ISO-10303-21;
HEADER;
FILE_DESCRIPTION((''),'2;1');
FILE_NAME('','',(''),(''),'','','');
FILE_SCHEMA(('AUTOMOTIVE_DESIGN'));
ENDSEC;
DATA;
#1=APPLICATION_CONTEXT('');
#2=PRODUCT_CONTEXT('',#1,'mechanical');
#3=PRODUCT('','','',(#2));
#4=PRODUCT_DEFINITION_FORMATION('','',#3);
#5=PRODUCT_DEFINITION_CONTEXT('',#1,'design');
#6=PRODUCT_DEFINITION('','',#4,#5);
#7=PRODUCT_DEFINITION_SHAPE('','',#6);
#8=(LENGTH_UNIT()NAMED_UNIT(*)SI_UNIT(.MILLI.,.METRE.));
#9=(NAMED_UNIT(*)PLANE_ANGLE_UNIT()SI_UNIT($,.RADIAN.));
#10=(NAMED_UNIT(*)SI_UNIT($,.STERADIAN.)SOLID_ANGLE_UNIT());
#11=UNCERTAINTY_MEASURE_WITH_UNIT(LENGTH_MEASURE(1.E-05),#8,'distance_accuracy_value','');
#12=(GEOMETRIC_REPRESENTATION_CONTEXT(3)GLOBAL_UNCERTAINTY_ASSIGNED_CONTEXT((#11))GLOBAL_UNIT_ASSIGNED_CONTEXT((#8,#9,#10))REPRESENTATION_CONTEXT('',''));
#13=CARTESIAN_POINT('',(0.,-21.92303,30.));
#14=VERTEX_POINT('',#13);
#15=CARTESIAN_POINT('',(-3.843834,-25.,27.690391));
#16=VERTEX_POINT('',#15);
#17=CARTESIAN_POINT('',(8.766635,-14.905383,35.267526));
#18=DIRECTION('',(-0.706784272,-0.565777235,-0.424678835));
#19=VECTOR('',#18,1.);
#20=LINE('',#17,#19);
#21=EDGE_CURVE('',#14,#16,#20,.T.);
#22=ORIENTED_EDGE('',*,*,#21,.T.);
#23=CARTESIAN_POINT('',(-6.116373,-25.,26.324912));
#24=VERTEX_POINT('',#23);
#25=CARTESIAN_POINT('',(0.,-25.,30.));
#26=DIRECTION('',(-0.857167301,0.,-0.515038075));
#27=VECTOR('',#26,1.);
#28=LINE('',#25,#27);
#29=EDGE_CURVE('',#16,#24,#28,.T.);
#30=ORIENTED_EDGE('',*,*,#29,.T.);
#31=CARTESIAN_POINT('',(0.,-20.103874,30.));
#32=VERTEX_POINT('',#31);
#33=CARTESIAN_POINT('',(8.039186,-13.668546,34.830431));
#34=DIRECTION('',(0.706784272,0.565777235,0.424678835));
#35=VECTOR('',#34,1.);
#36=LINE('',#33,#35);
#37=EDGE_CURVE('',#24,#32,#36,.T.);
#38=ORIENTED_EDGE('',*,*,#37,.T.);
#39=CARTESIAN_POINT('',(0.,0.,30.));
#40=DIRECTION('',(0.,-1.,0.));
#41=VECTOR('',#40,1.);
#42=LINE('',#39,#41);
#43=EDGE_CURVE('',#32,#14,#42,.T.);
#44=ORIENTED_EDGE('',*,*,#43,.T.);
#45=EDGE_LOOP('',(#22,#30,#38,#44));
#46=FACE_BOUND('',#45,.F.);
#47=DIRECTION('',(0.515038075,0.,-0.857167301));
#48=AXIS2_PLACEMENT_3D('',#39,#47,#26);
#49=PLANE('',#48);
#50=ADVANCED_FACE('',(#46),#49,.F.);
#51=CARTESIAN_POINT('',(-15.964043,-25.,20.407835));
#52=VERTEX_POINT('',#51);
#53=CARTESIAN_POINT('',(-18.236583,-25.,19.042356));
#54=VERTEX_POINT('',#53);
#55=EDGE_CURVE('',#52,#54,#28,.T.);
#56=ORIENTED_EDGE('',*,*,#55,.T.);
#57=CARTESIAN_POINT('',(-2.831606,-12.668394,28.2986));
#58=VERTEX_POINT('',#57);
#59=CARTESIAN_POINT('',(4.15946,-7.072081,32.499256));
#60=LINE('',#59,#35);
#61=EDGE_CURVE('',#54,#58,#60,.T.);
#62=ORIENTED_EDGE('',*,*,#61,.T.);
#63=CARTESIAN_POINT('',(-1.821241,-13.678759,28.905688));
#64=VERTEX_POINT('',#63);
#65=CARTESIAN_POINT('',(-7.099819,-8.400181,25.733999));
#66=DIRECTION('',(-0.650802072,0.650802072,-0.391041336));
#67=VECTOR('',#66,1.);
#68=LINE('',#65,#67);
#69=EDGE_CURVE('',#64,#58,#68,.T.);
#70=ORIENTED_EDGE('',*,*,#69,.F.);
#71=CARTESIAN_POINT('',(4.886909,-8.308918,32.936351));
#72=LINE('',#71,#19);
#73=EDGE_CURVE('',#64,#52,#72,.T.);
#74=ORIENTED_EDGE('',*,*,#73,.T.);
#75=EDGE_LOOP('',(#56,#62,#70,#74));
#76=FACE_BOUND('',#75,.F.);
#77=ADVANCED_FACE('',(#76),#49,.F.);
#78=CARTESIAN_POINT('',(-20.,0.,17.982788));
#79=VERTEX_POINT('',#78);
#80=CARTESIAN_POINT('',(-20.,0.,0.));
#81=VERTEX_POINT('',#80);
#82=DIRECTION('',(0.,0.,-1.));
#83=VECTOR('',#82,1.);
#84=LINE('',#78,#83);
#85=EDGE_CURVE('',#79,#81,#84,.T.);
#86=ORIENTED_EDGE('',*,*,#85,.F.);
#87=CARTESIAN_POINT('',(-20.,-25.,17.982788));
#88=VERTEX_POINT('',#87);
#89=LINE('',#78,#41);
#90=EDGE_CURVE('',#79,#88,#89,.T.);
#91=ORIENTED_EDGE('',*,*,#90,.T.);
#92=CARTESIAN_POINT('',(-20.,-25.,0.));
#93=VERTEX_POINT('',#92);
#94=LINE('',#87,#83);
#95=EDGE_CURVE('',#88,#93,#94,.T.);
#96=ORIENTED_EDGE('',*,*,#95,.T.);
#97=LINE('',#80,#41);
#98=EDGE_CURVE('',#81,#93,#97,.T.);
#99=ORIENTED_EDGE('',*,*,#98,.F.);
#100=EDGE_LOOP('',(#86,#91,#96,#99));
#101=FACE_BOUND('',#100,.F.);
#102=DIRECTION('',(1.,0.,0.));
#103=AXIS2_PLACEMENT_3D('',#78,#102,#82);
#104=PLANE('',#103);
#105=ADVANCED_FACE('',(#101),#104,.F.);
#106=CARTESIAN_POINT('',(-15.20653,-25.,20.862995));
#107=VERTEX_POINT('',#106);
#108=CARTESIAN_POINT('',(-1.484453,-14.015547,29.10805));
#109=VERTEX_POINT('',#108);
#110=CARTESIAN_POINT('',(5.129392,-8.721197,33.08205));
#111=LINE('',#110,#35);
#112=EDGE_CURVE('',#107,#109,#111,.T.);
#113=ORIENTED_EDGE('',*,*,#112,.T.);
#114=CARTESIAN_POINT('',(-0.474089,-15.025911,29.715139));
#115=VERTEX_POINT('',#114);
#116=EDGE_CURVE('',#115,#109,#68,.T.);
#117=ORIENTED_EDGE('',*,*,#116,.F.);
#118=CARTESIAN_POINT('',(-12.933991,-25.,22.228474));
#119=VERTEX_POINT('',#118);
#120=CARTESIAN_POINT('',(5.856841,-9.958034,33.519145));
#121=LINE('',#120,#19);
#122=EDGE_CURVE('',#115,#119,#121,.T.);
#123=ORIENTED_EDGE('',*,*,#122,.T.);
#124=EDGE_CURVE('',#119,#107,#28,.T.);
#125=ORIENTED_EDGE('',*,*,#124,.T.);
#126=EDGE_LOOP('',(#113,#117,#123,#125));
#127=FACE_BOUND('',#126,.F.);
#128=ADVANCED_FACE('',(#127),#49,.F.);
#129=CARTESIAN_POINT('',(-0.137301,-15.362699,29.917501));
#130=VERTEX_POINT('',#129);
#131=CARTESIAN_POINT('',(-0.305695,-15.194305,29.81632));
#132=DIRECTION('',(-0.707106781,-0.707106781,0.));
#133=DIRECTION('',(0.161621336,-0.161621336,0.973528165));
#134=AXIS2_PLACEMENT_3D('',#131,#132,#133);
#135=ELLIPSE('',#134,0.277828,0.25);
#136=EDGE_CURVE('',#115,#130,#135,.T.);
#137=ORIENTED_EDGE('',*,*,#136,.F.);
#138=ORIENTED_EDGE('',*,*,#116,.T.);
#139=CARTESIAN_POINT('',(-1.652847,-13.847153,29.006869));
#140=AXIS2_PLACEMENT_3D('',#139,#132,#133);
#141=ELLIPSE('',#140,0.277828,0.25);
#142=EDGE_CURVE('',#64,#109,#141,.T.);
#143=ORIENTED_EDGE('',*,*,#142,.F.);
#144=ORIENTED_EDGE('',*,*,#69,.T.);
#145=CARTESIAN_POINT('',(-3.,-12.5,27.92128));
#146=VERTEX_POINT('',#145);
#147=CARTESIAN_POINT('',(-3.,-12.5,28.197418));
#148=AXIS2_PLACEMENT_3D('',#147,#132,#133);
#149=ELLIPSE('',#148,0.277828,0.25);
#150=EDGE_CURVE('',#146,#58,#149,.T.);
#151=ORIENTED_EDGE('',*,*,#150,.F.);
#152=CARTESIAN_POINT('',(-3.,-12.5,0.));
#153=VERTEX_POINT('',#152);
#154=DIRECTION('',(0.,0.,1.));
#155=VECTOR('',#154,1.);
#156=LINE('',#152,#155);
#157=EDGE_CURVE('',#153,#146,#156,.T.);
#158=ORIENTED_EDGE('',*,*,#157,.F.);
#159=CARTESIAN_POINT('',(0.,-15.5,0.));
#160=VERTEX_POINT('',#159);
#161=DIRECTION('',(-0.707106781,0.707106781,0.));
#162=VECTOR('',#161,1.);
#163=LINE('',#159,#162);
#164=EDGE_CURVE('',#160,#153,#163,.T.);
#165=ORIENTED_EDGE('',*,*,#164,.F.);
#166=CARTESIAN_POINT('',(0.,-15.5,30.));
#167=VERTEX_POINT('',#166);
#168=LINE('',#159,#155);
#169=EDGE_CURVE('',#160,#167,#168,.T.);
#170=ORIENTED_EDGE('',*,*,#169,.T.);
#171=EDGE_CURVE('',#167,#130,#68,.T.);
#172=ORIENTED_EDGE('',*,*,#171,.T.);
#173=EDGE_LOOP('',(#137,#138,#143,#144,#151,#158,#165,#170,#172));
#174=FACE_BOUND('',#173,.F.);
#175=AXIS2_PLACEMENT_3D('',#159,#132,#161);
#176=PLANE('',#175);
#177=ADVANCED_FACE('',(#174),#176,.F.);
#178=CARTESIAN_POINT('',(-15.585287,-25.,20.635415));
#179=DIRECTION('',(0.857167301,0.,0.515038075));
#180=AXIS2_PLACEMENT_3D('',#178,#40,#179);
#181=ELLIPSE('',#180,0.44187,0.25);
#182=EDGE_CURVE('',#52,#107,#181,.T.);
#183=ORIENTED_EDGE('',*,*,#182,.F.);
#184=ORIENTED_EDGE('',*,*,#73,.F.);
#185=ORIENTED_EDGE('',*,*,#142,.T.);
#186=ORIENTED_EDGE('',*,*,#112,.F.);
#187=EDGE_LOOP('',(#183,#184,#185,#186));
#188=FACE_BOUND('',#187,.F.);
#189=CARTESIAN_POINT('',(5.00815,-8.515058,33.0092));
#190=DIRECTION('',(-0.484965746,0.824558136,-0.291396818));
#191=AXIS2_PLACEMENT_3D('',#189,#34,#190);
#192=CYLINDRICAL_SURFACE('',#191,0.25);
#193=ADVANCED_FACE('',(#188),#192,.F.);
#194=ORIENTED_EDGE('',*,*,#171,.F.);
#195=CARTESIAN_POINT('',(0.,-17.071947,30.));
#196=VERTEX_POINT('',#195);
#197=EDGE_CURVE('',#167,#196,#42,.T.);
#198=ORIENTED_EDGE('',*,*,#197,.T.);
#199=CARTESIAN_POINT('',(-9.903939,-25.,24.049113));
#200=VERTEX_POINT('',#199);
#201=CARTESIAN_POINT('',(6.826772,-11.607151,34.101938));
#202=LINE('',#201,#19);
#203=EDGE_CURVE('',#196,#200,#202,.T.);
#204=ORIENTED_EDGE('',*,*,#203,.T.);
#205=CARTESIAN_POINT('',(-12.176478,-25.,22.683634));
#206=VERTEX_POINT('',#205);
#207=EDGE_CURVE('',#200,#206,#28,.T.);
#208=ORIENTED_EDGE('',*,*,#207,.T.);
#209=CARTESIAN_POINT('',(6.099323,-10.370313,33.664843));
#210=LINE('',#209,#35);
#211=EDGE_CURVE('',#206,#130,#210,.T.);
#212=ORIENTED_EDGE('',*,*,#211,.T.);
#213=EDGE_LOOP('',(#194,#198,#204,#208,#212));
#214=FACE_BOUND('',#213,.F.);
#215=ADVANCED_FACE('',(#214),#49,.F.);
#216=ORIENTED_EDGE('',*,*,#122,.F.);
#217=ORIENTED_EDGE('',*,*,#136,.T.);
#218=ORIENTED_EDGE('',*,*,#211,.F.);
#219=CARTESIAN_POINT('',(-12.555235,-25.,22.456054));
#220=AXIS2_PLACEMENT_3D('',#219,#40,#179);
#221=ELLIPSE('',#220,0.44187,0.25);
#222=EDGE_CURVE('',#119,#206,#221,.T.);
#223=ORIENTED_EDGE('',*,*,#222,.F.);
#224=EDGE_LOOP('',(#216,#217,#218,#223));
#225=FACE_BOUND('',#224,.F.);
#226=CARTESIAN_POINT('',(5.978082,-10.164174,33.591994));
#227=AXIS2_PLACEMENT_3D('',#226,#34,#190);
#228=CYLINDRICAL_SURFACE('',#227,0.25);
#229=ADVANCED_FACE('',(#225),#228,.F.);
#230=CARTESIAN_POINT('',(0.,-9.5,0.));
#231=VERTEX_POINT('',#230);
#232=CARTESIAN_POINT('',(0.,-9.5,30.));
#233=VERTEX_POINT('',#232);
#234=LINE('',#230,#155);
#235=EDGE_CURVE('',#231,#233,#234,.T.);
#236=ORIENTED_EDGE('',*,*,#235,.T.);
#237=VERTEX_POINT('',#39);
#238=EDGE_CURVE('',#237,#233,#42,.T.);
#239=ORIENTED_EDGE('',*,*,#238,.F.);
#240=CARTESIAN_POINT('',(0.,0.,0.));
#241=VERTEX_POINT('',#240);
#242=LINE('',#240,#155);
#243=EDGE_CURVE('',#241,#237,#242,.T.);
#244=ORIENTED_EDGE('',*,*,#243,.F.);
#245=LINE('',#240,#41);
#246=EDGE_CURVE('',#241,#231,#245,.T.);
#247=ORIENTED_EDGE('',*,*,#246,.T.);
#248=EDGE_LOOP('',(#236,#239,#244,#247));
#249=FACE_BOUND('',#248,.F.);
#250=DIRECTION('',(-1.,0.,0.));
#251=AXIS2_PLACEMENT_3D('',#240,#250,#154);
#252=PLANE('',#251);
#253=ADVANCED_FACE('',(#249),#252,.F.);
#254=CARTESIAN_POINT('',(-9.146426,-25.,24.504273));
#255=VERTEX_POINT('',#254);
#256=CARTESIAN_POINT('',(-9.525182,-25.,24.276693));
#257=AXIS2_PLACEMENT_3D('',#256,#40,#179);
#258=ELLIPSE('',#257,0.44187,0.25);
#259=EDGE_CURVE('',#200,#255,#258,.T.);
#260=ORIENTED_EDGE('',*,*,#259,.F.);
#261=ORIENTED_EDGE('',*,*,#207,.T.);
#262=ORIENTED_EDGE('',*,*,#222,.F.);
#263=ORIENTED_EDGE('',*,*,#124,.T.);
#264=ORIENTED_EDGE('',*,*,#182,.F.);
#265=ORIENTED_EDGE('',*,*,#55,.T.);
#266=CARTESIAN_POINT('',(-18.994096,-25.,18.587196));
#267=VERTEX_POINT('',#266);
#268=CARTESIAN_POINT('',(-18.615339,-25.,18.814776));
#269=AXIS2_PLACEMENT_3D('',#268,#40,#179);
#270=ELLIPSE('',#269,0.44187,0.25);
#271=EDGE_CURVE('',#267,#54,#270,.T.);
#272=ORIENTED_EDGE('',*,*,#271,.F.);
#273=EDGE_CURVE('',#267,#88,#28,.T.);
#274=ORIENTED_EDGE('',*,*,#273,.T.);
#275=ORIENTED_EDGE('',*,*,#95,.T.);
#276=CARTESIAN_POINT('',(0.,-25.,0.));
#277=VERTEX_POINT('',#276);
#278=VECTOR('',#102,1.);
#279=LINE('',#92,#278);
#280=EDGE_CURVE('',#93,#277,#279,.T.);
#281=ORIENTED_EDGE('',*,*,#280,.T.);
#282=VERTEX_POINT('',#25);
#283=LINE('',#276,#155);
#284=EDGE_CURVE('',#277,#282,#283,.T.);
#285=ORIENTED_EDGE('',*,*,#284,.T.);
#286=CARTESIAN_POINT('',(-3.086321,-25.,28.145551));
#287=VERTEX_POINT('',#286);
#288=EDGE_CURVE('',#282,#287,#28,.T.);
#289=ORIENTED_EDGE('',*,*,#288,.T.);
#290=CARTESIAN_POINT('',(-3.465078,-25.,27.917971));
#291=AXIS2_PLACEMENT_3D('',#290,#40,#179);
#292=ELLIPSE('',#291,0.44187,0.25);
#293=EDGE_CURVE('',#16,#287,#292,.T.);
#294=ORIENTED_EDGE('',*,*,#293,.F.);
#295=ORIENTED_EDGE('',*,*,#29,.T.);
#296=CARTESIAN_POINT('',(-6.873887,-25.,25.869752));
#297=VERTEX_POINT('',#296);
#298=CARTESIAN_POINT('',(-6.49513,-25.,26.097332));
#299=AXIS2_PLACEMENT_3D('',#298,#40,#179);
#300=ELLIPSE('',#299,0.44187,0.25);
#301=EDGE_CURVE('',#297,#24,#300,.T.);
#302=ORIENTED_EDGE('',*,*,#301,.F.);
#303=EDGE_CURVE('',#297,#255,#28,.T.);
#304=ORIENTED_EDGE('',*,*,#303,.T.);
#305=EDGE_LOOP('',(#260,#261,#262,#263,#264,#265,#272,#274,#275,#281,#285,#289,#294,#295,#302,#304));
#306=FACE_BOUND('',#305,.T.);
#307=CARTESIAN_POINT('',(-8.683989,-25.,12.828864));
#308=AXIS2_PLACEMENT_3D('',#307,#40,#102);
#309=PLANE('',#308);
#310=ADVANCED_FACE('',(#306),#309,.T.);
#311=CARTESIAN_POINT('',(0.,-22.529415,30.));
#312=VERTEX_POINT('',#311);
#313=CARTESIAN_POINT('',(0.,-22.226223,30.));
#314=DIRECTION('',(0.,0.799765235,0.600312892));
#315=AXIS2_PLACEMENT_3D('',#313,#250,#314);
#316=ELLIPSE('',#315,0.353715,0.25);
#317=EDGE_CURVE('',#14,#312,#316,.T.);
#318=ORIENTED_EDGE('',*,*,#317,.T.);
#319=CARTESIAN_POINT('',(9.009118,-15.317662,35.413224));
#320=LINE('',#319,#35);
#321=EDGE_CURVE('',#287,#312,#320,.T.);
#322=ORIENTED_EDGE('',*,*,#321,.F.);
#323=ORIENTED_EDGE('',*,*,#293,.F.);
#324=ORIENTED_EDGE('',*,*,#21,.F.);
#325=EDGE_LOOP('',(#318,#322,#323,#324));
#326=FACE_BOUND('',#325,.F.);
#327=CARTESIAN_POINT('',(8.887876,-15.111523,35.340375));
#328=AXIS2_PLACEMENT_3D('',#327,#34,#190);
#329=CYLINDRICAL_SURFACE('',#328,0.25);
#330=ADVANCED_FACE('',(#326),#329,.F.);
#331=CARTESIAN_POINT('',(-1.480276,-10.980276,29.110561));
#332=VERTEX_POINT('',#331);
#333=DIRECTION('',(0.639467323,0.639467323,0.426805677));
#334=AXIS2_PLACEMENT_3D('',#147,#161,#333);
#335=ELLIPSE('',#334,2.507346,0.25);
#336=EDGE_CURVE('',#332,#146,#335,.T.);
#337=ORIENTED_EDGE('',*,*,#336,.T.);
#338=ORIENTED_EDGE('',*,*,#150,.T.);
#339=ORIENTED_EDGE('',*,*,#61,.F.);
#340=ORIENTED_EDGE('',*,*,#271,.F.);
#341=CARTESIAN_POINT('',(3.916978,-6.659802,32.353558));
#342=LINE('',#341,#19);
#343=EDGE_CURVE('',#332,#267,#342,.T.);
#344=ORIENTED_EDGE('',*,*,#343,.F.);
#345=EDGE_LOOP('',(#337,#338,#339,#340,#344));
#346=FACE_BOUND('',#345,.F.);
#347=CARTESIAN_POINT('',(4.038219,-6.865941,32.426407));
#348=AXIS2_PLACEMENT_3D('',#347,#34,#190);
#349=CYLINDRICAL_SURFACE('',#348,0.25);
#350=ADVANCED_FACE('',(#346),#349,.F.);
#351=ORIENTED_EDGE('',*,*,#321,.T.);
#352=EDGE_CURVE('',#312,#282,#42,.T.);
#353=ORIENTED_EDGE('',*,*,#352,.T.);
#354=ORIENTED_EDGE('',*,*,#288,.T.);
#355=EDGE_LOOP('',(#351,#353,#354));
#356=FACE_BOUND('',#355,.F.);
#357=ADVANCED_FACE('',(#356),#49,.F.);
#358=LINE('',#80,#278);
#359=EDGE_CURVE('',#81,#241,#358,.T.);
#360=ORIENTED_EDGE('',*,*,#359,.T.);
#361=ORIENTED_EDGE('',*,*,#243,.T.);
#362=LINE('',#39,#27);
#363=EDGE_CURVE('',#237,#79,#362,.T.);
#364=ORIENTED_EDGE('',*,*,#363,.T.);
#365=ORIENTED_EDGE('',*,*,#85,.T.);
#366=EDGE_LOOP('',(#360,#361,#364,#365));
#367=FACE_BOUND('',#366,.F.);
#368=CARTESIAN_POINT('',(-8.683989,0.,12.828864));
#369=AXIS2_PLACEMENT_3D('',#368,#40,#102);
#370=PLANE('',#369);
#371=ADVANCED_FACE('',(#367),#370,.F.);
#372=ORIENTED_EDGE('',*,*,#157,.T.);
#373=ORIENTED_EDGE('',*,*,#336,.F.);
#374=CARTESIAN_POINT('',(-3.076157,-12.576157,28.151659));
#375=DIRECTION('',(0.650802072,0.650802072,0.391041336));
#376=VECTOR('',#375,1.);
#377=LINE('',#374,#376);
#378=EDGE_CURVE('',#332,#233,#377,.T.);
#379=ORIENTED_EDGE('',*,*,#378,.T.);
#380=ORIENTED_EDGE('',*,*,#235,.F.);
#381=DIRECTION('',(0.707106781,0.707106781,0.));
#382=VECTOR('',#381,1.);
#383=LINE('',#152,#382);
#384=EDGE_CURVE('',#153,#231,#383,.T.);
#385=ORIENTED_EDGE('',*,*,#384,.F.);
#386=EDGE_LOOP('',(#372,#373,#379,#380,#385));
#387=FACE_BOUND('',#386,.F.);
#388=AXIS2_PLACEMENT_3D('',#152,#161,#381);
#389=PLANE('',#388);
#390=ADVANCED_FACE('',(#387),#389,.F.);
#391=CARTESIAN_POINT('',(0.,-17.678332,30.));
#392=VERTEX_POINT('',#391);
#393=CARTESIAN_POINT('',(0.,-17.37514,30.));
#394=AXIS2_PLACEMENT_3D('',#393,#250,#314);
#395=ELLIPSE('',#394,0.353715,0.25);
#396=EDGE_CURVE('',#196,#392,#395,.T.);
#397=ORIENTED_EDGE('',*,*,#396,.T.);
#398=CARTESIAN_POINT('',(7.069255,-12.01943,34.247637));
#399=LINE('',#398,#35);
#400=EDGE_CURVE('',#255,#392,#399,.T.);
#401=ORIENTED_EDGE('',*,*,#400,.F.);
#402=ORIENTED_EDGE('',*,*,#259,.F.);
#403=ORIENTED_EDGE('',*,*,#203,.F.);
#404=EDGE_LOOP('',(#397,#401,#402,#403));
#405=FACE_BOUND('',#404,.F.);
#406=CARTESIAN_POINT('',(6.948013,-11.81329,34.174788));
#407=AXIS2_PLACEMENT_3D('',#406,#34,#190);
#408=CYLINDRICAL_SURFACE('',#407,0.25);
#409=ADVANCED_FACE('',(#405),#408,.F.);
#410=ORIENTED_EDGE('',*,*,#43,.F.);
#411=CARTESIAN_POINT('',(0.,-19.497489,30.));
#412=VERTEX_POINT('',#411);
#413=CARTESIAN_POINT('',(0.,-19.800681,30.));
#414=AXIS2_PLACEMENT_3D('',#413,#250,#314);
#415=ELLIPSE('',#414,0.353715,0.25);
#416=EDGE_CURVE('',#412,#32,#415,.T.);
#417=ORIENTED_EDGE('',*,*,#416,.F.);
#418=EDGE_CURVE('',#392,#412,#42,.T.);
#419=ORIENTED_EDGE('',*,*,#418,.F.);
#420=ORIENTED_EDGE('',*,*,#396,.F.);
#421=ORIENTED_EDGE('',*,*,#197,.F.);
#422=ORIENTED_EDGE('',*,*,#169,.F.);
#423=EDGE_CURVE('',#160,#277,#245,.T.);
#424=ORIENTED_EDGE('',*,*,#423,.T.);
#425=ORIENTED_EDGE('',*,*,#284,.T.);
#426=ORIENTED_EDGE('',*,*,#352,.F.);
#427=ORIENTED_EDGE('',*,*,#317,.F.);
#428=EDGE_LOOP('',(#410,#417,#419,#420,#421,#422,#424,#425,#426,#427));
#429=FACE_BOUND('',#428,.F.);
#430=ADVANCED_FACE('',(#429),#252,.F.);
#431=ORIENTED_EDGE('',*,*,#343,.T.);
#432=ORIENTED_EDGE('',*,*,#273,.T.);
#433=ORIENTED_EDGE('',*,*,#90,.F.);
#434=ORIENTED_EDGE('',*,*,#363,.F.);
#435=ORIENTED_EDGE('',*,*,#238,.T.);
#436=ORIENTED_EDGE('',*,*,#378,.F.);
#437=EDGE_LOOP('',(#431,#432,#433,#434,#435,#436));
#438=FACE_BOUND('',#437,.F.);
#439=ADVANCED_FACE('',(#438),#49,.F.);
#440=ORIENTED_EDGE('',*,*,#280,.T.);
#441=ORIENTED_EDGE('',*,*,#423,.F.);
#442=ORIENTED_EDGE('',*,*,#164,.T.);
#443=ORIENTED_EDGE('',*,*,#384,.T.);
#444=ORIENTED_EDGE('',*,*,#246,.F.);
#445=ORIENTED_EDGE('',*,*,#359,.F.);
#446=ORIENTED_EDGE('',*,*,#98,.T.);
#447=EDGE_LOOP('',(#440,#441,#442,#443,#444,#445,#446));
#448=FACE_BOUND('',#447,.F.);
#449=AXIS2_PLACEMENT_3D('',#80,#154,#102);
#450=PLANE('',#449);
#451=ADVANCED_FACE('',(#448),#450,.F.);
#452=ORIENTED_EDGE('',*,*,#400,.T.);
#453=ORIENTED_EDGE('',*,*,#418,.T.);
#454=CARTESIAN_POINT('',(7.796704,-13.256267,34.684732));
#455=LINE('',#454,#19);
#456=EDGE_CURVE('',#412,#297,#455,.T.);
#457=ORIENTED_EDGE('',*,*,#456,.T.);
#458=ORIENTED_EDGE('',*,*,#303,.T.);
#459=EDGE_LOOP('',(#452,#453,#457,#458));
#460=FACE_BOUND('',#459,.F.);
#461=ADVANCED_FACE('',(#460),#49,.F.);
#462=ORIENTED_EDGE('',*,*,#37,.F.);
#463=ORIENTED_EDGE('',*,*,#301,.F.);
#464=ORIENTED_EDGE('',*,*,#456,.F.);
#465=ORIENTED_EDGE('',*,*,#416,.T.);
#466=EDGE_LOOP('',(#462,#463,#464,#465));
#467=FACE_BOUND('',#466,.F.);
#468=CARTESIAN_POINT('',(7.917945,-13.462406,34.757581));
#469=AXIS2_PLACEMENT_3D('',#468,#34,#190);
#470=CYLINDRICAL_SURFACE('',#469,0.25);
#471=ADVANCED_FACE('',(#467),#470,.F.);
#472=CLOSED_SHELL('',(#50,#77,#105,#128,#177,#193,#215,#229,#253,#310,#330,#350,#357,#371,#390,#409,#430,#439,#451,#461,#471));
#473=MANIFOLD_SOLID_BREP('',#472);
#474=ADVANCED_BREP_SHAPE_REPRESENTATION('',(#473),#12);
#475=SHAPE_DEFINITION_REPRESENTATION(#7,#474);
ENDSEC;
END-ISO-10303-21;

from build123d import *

# Parameters (mm, degrees)
F1_DEPTH = 25
F3_DEPTH = 30.001
F6_R     = 0.25
F7_DEPTH = 41.0214813745


with BuildPart() as f1:
    # F0 (on Front) → F1 (new body)
    with BuildSketch(Plane.XZ):
        Polygon((-20, 0), (0, 0), (0, 30), (-20, 17.9827876194), align=None)
    extrude(amount=F1_DEPTH)

    # F2 (on face) → F3 (cut, through all)
    with BuildSketch(Plane(origin=(0, 0, 0), x_dir=(1, 0, 0), z_dir=(0, 0, -1))):
        Polygon((0, 9.5), (0, 15.5), (-3, 12.5), align=None)
    extrude(amount=-F3_DEPTH, mode=Mode.SUBTRACT)

    # F6 (on line) → F7 (cut, through all)
    with BuildSketch(Plane(origin=(9.0046896383, 7.208208517, 5.4105633902), x_dir=(-0.4849657456, 0.8245581362, -0.2913968181), z_dir=(0.7067842719, 0.5657772353, 0.4246788351))):
        with Locations((-17.0687173915, 25.7150190211)):
            Circle(F6_R)
        with Locations((-19.0687173915, 25.7150190211)):
            Circle(F6_R)
        with Locations((-21.0687173915, 25.7150190211)):
            Circle(F6_R)
        with Locations((-23.0687173915, 25.7150190211)):
            Circle(F6_R)
        with Locations((-25.0687173915, 25.7150190211)):
            Circle(F6_R)
        with Locations((-27.0687173915, 25.7150190211)):
            Circle(F6_R)
    extrude(amount=-F7_DEPTH, mode=Mode.SUBTRACT)


solid = f1.part
